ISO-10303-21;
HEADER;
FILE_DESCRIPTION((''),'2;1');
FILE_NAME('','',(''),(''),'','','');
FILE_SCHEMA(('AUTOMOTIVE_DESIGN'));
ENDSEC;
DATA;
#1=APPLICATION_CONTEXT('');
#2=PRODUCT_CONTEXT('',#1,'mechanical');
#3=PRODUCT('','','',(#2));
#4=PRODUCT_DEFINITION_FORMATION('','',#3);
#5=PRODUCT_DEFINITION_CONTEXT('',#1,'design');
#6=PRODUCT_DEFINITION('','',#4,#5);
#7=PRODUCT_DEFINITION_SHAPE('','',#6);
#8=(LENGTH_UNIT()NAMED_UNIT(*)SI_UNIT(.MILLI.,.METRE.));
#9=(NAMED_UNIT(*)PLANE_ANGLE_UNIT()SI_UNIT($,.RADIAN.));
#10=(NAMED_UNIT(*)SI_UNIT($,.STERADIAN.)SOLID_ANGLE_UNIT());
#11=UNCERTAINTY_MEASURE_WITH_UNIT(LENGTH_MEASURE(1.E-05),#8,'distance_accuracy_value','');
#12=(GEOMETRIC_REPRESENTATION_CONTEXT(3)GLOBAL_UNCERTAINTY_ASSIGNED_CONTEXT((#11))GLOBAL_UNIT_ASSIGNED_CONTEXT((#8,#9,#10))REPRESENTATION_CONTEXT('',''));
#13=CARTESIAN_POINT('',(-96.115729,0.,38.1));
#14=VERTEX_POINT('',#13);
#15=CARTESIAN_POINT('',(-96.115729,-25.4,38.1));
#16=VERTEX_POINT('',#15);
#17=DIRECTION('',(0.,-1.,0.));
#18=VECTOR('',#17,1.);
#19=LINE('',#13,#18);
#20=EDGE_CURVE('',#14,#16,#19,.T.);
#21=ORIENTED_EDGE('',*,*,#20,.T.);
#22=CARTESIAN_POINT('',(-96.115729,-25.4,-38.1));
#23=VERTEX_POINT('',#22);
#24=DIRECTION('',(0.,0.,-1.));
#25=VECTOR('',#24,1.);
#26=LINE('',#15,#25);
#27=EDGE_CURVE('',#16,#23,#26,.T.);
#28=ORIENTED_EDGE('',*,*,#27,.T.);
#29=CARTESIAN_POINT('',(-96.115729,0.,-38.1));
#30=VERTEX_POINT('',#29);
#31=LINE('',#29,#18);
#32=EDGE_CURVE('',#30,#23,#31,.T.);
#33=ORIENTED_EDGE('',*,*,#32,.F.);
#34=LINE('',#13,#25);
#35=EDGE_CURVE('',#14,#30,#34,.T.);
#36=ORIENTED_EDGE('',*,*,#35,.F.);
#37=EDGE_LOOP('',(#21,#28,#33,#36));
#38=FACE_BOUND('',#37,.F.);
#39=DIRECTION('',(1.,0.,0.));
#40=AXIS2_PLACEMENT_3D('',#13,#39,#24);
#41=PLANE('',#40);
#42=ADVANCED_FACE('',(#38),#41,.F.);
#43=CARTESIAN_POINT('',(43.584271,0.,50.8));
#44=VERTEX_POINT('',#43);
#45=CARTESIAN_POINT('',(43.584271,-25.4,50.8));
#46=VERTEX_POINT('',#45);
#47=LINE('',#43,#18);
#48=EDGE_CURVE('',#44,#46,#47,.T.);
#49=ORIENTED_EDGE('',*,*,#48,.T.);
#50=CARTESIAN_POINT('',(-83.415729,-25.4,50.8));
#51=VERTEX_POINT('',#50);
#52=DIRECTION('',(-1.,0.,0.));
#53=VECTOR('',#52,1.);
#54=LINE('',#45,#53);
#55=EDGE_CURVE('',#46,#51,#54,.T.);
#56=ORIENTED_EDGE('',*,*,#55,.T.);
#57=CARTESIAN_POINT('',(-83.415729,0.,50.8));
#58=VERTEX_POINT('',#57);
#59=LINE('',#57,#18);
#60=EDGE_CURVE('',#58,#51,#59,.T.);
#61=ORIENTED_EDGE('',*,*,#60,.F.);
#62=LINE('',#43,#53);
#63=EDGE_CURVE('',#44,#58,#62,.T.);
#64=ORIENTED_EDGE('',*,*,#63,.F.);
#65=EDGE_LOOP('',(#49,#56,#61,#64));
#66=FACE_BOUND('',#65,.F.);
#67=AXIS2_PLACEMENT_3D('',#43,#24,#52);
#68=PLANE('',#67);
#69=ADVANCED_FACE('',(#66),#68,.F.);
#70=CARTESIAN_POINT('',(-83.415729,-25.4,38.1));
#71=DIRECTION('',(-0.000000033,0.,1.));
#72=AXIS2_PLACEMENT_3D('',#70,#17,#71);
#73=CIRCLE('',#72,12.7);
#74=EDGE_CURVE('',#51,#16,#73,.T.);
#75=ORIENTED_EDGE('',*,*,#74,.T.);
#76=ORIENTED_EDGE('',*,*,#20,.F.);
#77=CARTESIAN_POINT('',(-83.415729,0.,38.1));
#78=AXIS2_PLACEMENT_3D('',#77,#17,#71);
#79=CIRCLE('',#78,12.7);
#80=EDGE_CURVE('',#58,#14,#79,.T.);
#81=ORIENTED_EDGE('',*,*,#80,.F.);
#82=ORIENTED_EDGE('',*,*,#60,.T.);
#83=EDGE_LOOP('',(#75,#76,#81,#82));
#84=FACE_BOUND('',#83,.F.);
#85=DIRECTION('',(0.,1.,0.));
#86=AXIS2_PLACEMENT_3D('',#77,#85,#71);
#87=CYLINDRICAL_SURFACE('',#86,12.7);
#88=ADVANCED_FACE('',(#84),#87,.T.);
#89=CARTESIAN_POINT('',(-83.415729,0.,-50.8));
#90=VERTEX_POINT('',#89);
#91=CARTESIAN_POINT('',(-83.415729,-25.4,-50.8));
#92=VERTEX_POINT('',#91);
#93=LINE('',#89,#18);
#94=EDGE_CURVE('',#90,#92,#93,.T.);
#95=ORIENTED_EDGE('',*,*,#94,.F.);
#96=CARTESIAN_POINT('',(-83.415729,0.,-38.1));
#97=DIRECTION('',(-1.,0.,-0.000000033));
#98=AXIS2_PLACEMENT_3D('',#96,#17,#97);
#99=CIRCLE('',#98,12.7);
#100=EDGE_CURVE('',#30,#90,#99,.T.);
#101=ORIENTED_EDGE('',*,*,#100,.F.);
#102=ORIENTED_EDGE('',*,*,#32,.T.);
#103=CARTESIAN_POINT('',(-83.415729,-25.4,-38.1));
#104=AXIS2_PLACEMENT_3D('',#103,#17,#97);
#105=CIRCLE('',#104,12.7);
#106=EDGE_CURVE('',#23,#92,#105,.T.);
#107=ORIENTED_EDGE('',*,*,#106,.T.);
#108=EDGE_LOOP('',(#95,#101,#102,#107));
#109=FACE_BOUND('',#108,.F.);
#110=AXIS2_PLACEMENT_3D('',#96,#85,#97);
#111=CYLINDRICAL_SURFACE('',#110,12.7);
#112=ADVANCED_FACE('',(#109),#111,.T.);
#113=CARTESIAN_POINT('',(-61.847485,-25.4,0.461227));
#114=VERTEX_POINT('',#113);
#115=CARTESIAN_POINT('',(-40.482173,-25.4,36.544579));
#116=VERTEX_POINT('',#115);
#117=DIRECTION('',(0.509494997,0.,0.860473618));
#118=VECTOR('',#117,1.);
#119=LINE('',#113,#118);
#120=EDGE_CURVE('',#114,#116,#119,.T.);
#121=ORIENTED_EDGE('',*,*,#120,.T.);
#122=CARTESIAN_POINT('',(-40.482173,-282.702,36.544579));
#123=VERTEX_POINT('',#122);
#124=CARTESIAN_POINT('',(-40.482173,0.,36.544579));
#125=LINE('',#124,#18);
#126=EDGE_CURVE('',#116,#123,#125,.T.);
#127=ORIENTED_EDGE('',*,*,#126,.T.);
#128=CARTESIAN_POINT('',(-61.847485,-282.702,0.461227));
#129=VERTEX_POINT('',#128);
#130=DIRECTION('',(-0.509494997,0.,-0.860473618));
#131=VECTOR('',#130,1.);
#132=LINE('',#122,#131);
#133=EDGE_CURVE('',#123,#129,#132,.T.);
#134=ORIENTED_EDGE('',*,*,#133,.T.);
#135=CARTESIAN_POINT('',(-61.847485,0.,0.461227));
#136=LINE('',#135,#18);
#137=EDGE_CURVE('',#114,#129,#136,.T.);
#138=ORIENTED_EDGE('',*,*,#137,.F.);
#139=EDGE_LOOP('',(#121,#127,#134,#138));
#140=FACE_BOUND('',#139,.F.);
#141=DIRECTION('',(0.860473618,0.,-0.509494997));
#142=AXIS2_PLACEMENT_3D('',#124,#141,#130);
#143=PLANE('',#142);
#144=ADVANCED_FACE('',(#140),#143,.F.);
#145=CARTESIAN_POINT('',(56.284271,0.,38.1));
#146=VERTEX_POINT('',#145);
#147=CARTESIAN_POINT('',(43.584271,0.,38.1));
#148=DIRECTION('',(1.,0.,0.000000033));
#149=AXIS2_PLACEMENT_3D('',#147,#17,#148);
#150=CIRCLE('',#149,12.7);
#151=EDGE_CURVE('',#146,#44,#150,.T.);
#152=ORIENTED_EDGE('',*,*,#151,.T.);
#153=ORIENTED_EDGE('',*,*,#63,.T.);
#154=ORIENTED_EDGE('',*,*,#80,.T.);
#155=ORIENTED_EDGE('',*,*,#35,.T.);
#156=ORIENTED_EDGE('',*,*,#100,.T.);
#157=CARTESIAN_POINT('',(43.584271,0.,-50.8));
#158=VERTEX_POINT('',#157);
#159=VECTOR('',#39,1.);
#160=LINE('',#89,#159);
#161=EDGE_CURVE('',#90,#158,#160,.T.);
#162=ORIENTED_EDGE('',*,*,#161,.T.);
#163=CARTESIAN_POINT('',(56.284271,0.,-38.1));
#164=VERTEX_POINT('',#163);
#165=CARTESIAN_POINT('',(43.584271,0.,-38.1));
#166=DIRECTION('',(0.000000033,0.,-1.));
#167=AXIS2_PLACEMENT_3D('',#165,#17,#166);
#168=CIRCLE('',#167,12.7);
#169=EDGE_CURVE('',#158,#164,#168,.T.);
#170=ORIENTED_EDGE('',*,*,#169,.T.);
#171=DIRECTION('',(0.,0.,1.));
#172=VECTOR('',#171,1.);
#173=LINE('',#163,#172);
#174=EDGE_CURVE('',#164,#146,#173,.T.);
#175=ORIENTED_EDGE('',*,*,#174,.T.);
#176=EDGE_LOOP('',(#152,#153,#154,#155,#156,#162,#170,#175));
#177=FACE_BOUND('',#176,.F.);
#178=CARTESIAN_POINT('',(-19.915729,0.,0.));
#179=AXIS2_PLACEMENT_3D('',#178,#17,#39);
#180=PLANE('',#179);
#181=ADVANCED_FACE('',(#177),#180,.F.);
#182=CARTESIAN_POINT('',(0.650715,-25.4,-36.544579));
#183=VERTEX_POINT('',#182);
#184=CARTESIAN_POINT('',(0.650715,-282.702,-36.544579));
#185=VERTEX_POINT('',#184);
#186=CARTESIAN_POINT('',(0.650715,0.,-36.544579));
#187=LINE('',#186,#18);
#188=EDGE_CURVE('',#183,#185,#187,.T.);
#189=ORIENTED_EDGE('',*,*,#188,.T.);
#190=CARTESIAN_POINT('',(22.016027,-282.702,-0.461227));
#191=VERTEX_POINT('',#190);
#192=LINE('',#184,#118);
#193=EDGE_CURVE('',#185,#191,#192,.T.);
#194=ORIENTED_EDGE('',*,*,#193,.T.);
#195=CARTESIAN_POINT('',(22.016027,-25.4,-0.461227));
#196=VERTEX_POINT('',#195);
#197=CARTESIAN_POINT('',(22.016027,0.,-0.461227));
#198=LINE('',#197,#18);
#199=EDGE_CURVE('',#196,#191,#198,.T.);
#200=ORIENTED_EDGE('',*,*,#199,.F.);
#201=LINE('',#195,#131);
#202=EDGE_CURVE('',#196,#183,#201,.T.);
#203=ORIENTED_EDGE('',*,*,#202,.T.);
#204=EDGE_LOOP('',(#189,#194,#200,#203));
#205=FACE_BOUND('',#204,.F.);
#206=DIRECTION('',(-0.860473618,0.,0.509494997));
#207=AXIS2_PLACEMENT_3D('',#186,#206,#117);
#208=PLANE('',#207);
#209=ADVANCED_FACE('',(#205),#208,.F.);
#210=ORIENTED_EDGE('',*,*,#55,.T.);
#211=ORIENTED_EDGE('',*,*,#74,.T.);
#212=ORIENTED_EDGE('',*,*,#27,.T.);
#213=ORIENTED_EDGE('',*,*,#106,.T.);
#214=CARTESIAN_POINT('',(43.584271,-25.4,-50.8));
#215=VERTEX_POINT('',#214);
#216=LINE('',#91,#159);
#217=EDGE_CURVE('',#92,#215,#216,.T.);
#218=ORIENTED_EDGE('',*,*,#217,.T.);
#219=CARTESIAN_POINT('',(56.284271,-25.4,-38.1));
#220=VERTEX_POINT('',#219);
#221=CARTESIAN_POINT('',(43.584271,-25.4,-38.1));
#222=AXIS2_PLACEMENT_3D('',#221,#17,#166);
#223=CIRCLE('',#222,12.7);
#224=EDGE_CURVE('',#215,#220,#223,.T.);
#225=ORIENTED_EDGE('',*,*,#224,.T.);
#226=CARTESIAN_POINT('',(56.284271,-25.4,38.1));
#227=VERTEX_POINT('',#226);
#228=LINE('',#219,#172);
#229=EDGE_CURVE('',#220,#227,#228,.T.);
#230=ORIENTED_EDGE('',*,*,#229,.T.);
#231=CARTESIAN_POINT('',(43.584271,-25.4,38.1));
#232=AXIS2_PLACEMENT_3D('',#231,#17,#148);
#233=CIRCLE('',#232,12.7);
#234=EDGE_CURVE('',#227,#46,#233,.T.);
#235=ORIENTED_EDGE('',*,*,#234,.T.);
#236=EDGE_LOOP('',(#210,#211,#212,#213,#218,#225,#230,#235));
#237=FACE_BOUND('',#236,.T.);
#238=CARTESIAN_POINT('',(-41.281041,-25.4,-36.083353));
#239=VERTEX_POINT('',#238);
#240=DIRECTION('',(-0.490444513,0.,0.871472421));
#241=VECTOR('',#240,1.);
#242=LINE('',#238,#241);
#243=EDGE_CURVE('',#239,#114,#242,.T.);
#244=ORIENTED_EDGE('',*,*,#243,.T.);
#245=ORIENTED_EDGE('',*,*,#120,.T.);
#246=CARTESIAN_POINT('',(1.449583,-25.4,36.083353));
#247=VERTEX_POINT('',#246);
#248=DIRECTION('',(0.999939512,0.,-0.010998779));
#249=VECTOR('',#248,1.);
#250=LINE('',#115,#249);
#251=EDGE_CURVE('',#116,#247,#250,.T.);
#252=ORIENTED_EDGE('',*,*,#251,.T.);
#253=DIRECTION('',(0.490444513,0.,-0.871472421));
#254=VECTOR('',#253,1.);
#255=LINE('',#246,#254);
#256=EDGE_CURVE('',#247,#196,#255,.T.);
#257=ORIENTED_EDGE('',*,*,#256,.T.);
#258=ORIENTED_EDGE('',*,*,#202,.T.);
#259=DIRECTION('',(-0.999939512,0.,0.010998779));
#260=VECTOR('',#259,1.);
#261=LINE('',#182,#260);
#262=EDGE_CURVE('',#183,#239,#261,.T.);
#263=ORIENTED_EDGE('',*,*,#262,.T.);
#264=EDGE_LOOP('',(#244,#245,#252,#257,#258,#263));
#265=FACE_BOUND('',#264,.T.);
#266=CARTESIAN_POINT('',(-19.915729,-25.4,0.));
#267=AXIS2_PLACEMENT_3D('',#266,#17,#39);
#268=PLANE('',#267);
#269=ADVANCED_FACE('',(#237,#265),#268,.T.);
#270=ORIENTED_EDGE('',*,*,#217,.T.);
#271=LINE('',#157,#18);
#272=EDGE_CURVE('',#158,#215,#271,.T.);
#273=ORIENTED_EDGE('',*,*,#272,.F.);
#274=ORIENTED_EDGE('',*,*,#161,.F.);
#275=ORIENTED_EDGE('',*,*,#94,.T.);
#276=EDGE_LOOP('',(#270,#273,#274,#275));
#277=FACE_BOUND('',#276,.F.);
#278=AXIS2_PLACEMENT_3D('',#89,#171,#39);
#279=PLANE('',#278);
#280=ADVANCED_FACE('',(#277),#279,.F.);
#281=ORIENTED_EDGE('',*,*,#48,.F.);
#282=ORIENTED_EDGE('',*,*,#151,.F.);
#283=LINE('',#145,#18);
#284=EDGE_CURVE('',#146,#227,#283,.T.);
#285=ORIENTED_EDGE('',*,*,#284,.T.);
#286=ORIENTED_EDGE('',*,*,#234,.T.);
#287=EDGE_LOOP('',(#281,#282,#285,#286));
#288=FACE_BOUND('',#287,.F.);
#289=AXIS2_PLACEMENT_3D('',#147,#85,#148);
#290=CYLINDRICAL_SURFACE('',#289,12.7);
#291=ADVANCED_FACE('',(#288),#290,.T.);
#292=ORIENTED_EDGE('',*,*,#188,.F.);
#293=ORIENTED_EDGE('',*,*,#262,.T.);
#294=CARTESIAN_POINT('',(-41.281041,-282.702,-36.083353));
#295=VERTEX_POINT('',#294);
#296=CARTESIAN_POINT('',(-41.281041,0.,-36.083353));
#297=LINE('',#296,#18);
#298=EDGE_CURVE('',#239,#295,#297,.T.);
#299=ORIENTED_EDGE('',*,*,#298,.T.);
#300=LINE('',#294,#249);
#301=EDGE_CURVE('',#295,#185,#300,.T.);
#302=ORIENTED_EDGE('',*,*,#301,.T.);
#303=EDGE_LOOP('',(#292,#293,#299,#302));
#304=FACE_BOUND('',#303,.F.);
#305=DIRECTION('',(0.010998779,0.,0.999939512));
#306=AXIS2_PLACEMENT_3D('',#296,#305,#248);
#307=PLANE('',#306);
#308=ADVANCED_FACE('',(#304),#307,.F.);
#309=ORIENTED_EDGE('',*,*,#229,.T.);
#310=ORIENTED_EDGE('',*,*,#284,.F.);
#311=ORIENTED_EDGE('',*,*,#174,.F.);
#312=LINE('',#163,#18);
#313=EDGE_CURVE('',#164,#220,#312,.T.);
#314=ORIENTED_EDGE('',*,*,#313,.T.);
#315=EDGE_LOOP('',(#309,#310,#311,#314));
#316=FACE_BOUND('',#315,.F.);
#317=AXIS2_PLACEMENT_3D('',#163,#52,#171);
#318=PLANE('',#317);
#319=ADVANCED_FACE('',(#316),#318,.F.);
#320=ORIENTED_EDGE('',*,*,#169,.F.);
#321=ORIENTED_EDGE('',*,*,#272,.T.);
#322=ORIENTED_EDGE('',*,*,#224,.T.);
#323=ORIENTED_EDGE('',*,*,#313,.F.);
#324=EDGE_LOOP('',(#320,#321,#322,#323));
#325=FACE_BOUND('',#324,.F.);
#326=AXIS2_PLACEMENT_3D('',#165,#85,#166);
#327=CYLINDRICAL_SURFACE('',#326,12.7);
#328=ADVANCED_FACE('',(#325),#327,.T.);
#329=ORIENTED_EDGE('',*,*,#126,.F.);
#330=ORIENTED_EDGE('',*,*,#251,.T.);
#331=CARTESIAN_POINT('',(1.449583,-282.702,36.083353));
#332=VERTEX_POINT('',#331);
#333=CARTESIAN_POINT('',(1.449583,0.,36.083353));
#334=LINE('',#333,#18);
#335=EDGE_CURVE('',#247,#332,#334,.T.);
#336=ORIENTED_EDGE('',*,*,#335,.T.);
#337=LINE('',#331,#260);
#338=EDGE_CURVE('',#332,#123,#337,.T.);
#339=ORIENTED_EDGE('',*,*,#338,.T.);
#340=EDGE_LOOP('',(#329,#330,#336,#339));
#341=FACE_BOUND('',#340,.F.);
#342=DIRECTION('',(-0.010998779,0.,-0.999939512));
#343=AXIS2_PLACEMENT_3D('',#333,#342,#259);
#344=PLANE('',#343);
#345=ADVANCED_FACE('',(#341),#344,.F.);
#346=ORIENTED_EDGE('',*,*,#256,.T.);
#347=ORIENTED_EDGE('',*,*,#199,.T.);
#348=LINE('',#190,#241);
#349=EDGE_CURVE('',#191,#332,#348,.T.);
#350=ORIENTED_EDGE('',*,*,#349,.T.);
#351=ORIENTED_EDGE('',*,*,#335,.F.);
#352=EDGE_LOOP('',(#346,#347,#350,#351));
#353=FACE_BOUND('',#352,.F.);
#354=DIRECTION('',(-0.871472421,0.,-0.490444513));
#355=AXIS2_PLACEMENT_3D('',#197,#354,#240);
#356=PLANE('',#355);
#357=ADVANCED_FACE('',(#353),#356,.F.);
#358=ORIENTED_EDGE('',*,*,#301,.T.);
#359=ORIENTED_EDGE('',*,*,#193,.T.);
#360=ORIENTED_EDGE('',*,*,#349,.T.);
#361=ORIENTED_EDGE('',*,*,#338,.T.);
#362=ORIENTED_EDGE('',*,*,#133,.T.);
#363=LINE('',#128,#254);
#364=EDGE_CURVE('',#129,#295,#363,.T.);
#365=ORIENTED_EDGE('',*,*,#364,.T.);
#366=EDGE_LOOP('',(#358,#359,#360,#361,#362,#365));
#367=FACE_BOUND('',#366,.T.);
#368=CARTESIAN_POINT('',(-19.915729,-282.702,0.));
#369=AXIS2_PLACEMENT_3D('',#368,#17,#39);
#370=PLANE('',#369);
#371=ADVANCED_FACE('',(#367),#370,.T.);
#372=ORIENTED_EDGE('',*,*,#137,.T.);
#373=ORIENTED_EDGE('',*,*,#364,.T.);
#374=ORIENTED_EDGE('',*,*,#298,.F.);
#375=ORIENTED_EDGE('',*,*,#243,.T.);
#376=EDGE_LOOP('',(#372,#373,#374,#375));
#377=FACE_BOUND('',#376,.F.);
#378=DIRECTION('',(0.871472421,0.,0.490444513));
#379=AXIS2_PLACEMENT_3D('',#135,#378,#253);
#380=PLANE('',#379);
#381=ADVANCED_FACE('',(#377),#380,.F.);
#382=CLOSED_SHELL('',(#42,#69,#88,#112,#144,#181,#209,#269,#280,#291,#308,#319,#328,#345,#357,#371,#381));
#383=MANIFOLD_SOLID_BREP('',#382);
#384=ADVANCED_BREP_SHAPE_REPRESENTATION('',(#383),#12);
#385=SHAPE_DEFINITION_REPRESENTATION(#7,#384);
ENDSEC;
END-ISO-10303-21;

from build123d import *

# Parameters (mm, degrees)
F1_DEPTH = 25.4
F2_DEPTH = 282.702


with BuildPart() as f1:
    # F0 (on Front) → F1 (new body)
    with BuildSketch(Plane.XZ):
        with BuildLine():
            ThreePointArc((-96.115729, -38.1), (-92.395985, -47.080256), (-83.415729, -50.8))
            Line((-83.415729, -50.8), (43.584271, -50.8))
            ThreePointArc((43.584271, -50.8), (52.564527, -47.080256), (56.284271, -38.1))
            Line((56.284271, -38.1), (56.284271, 38.1))
            ThreePointArc((56.284271, 38.1), (52.564527, 47.080256), (43.584271, 50.8))
            Line((43.584271, 50.8), (-83.415729, 50.8))
            ThreePointArc((-83.415729, 50.8), (-92.395985, 47.080256), (-96.115729, 38.1))
            Line((-96.115729, 38.1), (-96.115729, -38.1))
        make_face()
        Polygon((-41.281041, -36.083353), (-61.847485, 0.461227), (-40.482173, 36.544579), (1.449583, 36.083353), (22.016027, -0.461227), (0.650715, -36.544579), align=None, mode=Mode.SUBTRACT)
    extrude(amount=F1_DEPTH)

    # F0 (on Front) → F2 (join)
    with BuildSketch(Plane.XZ):
        Polygon((-40.482173, 36.544579), (-61.847485, 0.461227), (-41.281041, -36.083353), (0.650715, -36.544579), (22.016027, -0.461227), (1.449583, 36.083353), align=None)
    extrude(amount=F2_DEPTH)


solid = f1.part
